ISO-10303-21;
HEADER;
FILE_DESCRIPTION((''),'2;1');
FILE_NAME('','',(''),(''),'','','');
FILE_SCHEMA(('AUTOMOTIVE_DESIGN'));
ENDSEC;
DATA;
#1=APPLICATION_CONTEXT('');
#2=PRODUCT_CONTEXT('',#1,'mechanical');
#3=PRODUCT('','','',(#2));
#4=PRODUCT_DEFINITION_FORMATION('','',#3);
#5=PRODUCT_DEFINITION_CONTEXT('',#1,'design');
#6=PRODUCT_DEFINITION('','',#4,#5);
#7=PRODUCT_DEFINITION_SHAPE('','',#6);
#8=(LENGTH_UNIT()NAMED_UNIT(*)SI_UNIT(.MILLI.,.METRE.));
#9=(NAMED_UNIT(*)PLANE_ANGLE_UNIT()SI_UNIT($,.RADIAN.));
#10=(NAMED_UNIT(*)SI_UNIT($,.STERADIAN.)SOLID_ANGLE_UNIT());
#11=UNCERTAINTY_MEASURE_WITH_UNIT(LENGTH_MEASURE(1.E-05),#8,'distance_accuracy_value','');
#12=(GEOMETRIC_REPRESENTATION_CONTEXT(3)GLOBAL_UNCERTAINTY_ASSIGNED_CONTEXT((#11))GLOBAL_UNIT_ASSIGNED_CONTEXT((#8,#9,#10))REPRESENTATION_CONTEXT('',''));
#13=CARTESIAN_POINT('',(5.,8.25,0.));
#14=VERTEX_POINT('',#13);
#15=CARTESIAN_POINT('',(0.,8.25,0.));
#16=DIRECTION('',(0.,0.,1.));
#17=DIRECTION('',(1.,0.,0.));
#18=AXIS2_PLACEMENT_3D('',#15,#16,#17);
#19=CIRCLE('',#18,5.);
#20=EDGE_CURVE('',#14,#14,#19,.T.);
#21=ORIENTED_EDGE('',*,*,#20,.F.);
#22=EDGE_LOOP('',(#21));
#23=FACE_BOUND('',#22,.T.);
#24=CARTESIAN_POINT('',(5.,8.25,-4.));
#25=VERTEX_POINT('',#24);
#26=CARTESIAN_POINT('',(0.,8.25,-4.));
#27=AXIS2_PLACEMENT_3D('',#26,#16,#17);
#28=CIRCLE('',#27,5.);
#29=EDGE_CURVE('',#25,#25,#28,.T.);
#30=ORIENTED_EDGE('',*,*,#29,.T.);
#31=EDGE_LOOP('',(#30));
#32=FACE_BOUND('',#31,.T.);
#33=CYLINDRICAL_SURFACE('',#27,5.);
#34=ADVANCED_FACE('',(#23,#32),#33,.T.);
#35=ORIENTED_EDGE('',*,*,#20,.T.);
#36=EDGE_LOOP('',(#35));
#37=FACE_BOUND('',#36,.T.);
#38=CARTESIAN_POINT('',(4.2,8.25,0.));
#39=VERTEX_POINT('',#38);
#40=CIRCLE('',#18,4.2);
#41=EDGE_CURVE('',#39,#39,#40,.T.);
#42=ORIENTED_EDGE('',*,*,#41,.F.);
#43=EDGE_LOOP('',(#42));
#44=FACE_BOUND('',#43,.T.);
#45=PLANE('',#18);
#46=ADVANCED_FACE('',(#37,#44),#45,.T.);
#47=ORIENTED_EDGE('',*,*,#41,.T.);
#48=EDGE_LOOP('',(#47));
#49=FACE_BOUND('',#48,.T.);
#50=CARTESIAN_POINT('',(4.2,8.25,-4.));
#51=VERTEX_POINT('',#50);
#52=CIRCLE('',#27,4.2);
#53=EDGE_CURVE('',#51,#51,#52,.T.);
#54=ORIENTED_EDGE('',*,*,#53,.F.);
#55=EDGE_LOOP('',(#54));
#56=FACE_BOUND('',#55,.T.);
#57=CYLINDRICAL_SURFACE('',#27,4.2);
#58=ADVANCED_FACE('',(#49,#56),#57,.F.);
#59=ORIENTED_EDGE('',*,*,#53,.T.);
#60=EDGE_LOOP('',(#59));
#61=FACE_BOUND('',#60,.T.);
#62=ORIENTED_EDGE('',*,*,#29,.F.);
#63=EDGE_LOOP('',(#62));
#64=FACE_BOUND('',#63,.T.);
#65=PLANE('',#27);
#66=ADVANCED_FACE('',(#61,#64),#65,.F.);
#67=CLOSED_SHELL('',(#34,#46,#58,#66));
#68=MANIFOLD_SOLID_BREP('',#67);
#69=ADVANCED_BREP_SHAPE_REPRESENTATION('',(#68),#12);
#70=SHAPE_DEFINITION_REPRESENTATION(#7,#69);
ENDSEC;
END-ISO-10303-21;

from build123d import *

# Parameters (mm, degrees)
SKETCH1_R           = 5
BOSS_EXTRUDE1_DEPTH = 4
SKETCH3_R           = 4.2
CUT_EXTRUDE1_DEPTH  = 5


with BuildPart() as part:
    # Sketch1 → Boss-Extrude1 (new body)
    with BuildSketch(Plane.XY):
        with Locations((0, 8.25)):
            Circle(SKETCH1_R)
    extrude(amount=-BOSS_EXTRUDE1_DEPTH)

    # Sketch3 → Cut-Extrude1 (cut, through all)
    with BuildSketch(Plane.XY):
        with Locations((0, 8.25)):
            Circle(SKETCH3_R)
    extrude(amount=-CUT_EXTRUDE1_DEPTH, mode=Mode.SUBTRACT)


solid = part.part
